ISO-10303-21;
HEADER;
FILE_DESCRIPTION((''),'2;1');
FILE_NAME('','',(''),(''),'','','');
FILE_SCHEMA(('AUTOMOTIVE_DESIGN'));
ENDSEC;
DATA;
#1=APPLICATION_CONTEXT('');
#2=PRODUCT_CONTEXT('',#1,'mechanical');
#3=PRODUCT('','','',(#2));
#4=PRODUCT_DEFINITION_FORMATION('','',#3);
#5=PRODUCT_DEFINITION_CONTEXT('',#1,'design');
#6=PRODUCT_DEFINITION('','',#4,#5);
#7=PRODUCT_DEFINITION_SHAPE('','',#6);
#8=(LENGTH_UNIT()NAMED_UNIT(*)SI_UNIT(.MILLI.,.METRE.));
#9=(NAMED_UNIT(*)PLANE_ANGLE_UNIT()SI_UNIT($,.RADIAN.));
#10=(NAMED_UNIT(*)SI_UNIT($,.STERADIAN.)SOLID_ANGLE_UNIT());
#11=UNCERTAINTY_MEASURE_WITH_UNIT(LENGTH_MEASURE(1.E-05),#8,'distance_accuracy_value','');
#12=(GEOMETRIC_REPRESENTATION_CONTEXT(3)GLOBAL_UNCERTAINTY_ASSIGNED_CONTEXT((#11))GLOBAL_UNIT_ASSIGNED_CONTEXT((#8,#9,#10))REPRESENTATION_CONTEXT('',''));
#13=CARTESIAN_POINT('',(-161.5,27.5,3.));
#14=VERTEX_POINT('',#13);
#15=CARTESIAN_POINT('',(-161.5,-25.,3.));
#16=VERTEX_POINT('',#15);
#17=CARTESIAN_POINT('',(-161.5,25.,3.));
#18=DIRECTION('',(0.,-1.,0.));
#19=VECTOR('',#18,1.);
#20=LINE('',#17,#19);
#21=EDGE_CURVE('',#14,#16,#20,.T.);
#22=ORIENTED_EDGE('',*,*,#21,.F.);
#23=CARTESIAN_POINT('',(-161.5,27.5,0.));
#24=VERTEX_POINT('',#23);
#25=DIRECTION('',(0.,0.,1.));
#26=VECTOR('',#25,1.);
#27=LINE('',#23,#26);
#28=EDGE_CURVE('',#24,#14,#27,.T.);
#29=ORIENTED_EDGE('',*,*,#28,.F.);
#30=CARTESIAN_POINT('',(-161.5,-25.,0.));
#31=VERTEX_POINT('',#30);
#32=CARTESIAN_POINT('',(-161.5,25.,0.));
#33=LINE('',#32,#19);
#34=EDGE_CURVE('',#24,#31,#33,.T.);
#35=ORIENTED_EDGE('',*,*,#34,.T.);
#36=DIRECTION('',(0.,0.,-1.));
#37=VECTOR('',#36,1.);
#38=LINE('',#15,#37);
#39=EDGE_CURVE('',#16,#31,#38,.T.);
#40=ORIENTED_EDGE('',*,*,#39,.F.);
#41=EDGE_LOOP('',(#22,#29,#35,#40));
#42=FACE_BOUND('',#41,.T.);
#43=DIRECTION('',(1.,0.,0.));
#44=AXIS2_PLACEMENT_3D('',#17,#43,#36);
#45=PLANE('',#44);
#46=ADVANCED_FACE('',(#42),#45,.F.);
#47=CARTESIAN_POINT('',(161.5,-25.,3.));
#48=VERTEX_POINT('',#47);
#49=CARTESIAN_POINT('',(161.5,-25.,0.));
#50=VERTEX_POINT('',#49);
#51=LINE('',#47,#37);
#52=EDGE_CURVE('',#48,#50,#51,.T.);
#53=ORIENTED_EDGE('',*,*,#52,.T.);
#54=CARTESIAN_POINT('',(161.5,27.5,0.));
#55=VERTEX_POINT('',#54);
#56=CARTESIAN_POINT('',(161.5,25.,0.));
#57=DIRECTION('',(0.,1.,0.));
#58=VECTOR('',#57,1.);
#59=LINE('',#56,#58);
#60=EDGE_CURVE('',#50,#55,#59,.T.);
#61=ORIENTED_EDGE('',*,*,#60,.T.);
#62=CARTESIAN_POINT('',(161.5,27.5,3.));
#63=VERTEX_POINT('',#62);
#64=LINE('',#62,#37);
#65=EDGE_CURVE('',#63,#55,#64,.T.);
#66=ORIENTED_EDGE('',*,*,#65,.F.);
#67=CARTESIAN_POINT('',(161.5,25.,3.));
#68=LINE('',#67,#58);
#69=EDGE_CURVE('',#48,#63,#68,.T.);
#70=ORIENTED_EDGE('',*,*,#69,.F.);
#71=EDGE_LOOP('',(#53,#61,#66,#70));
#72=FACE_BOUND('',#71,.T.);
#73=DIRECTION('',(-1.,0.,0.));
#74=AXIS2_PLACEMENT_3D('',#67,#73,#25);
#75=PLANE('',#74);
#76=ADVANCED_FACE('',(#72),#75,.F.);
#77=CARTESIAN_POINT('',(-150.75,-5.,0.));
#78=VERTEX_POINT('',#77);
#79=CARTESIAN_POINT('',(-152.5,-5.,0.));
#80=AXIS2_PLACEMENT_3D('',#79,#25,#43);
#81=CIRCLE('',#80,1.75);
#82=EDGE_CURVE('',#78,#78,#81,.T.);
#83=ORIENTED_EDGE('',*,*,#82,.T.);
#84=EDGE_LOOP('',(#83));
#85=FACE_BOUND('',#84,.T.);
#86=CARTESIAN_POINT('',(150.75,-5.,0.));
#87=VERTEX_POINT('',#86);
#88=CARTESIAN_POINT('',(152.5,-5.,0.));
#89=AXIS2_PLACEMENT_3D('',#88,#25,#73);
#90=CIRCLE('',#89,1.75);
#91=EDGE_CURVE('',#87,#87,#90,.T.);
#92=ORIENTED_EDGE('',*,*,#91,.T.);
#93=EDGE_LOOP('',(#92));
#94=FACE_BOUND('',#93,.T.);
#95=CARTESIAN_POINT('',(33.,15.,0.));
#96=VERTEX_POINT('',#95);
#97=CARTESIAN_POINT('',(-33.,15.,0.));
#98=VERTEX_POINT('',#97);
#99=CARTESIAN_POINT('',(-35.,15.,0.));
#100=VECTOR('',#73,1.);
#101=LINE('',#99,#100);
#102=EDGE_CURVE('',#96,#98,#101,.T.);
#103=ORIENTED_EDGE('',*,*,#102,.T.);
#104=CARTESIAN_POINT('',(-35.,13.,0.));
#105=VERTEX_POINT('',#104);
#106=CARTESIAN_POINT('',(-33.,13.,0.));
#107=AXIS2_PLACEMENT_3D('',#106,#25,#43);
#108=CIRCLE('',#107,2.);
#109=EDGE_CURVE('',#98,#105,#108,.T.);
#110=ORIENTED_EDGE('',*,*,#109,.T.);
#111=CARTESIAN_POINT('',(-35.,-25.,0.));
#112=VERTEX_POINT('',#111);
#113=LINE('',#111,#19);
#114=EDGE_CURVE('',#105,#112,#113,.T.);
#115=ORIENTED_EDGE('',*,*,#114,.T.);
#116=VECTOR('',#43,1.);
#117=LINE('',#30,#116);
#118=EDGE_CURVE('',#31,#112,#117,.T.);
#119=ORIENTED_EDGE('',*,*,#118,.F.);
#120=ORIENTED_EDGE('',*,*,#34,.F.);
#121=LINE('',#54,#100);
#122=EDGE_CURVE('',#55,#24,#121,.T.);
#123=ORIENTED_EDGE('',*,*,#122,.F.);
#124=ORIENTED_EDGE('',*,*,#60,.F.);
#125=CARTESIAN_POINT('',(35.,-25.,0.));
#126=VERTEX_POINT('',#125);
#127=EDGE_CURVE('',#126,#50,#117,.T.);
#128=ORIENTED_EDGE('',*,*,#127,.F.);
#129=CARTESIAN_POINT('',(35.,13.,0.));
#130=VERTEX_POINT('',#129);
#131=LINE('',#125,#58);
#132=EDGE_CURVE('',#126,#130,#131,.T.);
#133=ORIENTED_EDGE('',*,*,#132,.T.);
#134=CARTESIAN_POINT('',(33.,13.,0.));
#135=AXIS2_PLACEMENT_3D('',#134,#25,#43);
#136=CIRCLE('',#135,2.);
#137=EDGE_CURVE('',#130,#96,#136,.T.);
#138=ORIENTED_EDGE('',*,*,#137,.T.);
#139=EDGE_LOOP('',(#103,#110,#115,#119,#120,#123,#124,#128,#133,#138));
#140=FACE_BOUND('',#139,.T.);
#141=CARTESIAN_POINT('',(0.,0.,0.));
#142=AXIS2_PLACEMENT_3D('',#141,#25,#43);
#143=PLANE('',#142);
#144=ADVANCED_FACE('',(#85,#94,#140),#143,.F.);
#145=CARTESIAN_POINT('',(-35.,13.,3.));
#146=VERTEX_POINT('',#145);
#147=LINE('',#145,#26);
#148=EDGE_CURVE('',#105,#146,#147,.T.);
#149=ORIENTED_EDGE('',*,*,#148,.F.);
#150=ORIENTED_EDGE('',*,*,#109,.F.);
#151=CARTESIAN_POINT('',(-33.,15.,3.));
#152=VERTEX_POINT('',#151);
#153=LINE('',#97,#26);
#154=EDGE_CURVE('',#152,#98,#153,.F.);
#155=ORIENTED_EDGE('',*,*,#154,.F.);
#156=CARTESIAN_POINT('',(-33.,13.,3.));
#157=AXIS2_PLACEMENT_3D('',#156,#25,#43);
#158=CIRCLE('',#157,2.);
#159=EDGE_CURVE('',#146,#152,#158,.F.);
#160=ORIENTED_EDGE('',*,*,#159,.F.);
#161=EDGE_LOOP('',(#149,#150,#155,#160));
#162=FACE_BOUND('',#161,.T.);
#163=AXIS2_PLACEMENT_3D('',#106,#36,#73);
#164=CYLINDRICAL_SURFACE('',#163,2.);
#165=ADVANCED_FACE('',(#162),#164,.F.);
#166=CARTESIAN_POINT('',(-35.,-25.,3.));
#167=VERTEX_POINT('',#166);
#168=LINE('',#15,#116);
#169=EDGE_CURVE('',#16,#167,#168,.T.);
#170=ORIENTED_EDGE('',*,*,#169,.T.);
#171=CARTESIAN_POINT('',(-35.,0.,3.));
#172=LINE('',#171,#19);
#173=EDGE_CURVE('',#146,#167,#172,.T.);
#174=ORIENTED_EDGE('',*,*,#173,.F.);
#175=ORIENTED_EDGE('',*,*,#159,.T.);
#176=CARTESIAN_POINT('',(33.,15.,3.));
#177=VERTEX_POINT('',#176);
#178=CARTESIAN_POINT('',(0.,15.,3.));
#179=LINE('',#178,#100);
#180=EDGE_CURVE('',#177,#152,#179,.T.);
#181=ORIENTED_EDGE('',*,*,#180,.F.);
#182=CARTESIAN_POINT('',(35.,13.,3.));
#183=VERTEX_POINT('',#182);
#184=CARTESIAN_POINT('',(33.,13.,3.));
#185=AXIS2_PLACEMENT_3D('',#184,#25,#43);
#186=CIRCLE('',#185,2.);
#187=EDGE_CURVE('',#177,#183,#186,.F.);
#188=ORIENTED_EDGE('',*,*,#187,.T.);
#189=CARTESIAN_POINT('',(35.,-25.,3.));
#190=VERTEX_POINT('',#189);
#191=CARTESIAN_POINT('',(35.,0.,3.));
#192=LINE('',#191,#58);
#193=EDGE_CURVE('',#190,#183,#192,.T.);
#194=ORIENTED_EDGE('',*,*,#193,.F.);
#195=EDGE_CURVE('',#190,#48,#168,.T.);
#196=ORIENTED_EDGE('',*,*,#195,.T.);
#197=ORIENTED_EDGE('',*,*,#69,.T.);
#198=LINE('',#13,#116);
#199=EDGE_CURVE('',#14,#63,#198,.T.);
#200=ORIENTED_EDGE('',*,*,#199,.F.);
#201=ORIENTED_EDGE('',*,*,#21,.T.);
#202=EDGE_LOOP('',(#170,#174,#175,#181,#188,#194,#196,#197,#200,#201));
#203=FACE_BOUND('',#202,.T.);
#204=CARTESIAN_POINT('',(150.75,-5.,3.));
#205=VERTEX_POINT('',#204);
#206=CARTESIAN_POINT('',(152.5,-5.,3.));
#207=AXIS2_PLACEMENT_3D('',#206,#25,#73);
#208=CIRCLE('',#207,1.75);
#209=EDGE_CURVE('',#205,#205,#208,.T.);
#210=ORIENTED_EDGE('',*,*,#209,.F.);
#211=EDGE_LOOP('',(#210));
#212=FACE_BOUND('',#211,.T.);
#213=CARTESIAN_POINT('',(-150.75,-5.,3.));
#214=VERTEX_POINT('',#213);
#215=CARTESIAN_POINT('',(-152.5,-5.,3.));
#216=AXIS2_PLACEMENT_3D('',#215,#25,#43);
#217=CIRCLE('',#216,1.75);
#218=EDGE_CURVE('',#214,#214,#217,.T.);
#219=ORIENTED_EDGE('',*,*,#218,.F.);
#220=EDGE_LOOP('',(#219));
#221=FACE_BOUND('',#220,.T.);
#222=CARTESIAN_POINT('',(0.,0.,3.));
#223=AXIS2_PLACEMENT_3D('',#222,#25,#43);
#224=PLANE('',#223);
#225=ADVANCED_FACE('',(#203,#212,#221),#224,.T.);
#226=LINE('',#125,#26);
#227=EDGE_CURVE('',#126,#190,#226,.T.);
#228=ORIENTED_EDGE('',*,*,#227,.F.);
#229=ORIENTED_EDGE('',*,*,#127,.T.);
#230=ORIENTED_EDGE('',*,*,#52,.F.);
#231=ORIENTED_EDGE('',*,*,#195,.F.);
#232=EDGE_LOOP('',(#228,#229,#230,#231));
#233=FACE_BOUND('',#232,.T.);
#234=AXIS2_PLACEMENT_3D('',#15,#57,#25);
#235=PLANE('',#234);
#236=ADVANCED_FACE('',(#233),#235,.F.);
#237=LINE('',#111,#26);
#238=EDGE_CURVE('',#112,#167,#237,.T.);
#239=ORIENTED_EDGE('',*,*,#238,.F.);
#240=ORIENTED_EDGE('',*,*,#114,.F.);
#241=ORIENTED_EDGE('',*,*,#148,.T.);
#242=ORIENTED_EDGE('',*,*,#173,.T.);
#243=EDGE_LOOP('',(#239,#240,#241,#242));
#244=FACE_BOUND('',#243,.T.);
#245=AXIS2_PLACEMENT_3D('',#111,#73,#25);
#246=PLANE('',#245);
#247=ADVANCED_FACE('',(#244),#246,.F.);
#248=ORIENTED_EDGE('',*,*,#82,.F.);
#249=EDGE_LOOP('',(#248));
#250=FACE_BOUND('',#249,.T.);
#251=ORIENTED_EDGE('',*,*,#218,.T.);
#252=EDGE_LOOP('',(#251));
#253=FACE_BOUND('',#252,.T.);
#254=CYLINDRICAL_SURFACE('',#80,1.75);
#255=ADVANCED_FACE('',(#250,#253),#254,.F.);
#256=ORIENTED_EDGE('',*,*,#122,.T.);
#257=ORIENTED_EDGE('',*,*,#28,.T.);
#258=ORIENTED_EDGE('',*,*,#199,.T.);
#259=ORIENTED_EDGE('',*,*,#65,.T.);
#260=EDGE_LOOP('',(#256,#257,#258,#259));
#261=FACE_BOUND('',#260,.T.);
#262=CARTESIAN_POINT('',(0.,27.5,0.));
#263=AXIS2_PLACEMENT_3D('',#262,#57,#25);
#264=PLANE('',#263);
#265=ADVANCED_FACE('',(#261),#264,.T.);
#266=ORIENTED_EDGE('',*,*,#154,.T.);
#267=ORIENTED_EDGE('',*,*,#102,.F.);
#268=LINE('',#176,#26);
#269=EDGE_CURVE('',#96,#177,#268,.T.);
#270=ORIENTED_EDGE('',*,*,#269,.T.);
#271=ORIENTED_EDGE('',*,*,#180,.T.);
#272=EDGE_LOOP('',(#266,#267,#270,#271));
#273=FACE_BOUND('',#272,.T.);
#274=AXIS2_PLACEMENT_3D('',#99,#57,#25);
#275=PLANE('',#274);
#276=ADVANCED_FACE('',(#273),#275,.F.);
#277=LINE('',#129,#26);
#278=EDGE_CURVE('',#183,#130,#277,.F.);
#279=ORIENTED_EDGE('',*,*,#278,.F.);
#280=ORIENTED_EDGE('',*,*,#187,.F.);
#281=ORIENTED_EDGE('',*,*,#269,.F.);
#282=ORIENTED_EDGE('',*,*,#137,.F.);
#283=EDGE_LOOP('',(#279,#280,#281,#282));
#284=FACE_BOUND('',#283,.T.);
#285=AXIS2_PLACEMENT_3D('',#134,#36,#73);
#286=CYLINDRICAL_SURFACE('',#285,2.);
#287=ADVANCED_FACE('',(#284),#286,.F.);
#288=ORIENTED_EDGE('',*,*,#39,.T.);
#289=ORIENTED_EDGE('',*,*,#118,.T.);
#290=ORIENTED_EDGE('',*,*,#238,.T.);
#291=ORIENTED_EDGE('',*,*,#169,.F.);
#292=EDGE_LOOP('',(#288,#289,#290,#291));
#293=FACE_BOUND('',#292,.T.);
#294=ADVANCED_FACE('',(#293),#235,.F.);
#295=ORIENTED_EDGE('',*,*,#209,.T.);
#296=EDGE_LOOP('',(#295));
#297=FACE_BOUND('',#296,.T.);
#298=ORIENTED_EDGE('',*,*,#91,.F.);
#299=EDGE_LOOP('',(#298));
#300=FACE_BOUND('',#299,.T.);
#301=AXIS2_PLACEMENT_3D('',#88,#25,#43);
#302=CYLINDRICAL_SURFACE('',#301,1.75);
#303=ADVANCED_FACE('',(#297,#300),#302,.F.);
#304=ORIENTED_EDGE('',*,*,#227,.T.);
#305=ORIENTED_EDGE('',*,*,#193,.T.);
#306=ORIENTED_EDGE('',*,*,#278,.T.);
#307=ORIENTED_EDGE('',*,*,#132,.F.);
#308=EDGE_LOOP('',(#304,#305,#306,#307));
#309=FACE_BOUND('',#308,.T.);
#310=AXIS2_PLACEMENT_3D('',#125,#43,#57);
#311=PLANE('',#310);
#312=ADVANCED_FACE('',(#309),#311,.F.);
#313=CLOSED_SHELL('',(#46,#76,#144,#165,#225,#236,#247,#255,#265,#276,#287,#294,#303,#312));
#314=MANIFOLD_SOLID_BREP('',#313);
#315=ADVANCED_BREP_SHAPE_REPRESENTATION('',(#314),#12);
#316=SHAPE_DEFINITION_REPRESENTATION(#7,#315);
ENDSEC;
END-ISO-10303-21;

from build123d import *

# Parameters (mm, degrees)
SKETCH1_W               = 323
SKETCH1_H               = 50
BOSS_EXTRUDE1_DEPTH     = 3
SKETCH2_W               = 70
SKETCH2_H               = 40
CUT_EXTRUDE1_DEPTH      = 1
CUT_EXTRUDE1_DEPTH_BACK = 4
FILLET1_R               = 2
SKETCH3_W               = 323
SKETCH3_H               = 3
BOSS_EXTRUDE2_DEPTH     = 2.5
SKETCH4_R               = 1.75
CUT_EXTRUDE2_DEPTH      = 4


with BuildPart() as part:
    # Sketch1 → Boss-Extrude1 (new body)
    with BuildSketch(Plane.XY):
        Rectangle(SKETCH1_W, SKETCH1_H)
    extrude(amount=BOSS_EXTRUDE1_DEPTH)

    # Sketch2 → Cut-Extrude1 (cut, two sides)
    with BuildSketch(Plane.XY.offset(3)) as cut_extrude1_sk:
        with Locations((0, -5)):
            Rectangle(SKETCH2_W, SKETCH2_H)
    extrude(amount=CUT_EXTRUDE1_DEPTH, mode=Mode.SUBTRACT)
    extrude(cut_extrude1_sk.sketch, amount=-CUT_EXTRUDE1_DEPTH_BACK, mode=Mode.SUBTRACT)

    # Fillet1
    fillet1_edges = [part.edges().sort_by_distance(p)[0] for p in [
        (-35, 15, 1.5),
        (35, 15, 1.5),
    ]]
    fillet(fillet1_edges, radius=FILLET1_R)

    # Sketch3 → Boss-Extrude2 (add)
    with BuildSketch(Plane(origin=(0, 25, 0), x_dir=(1, 0, 0), z_dir=(0, 1, 0))):
        with Locations((0, -1.5)):
            Rectangle(SKETCH3_W, SKETCH3_H)
    extrude(amount=BOSS_EXTRUDE2_DEPTH)

    # Sketch4 → Cut-Extrude2 (cut, through all)
    with BuildSketch(Plane.XY.offset(3)):
        with Locations((-152.5, -5)):
            Circle(SKETCH4_R)
        with Locations(Location((152.5, -5, 0), (0, 0, 180))):  # turned: the seam where the file's is
            Circle(SKETCH4_R)
    extrude(amount=-CUT_EXTRUDE2_DEPTH, mode=Mode.SUBTRACT)


solid = part.part
